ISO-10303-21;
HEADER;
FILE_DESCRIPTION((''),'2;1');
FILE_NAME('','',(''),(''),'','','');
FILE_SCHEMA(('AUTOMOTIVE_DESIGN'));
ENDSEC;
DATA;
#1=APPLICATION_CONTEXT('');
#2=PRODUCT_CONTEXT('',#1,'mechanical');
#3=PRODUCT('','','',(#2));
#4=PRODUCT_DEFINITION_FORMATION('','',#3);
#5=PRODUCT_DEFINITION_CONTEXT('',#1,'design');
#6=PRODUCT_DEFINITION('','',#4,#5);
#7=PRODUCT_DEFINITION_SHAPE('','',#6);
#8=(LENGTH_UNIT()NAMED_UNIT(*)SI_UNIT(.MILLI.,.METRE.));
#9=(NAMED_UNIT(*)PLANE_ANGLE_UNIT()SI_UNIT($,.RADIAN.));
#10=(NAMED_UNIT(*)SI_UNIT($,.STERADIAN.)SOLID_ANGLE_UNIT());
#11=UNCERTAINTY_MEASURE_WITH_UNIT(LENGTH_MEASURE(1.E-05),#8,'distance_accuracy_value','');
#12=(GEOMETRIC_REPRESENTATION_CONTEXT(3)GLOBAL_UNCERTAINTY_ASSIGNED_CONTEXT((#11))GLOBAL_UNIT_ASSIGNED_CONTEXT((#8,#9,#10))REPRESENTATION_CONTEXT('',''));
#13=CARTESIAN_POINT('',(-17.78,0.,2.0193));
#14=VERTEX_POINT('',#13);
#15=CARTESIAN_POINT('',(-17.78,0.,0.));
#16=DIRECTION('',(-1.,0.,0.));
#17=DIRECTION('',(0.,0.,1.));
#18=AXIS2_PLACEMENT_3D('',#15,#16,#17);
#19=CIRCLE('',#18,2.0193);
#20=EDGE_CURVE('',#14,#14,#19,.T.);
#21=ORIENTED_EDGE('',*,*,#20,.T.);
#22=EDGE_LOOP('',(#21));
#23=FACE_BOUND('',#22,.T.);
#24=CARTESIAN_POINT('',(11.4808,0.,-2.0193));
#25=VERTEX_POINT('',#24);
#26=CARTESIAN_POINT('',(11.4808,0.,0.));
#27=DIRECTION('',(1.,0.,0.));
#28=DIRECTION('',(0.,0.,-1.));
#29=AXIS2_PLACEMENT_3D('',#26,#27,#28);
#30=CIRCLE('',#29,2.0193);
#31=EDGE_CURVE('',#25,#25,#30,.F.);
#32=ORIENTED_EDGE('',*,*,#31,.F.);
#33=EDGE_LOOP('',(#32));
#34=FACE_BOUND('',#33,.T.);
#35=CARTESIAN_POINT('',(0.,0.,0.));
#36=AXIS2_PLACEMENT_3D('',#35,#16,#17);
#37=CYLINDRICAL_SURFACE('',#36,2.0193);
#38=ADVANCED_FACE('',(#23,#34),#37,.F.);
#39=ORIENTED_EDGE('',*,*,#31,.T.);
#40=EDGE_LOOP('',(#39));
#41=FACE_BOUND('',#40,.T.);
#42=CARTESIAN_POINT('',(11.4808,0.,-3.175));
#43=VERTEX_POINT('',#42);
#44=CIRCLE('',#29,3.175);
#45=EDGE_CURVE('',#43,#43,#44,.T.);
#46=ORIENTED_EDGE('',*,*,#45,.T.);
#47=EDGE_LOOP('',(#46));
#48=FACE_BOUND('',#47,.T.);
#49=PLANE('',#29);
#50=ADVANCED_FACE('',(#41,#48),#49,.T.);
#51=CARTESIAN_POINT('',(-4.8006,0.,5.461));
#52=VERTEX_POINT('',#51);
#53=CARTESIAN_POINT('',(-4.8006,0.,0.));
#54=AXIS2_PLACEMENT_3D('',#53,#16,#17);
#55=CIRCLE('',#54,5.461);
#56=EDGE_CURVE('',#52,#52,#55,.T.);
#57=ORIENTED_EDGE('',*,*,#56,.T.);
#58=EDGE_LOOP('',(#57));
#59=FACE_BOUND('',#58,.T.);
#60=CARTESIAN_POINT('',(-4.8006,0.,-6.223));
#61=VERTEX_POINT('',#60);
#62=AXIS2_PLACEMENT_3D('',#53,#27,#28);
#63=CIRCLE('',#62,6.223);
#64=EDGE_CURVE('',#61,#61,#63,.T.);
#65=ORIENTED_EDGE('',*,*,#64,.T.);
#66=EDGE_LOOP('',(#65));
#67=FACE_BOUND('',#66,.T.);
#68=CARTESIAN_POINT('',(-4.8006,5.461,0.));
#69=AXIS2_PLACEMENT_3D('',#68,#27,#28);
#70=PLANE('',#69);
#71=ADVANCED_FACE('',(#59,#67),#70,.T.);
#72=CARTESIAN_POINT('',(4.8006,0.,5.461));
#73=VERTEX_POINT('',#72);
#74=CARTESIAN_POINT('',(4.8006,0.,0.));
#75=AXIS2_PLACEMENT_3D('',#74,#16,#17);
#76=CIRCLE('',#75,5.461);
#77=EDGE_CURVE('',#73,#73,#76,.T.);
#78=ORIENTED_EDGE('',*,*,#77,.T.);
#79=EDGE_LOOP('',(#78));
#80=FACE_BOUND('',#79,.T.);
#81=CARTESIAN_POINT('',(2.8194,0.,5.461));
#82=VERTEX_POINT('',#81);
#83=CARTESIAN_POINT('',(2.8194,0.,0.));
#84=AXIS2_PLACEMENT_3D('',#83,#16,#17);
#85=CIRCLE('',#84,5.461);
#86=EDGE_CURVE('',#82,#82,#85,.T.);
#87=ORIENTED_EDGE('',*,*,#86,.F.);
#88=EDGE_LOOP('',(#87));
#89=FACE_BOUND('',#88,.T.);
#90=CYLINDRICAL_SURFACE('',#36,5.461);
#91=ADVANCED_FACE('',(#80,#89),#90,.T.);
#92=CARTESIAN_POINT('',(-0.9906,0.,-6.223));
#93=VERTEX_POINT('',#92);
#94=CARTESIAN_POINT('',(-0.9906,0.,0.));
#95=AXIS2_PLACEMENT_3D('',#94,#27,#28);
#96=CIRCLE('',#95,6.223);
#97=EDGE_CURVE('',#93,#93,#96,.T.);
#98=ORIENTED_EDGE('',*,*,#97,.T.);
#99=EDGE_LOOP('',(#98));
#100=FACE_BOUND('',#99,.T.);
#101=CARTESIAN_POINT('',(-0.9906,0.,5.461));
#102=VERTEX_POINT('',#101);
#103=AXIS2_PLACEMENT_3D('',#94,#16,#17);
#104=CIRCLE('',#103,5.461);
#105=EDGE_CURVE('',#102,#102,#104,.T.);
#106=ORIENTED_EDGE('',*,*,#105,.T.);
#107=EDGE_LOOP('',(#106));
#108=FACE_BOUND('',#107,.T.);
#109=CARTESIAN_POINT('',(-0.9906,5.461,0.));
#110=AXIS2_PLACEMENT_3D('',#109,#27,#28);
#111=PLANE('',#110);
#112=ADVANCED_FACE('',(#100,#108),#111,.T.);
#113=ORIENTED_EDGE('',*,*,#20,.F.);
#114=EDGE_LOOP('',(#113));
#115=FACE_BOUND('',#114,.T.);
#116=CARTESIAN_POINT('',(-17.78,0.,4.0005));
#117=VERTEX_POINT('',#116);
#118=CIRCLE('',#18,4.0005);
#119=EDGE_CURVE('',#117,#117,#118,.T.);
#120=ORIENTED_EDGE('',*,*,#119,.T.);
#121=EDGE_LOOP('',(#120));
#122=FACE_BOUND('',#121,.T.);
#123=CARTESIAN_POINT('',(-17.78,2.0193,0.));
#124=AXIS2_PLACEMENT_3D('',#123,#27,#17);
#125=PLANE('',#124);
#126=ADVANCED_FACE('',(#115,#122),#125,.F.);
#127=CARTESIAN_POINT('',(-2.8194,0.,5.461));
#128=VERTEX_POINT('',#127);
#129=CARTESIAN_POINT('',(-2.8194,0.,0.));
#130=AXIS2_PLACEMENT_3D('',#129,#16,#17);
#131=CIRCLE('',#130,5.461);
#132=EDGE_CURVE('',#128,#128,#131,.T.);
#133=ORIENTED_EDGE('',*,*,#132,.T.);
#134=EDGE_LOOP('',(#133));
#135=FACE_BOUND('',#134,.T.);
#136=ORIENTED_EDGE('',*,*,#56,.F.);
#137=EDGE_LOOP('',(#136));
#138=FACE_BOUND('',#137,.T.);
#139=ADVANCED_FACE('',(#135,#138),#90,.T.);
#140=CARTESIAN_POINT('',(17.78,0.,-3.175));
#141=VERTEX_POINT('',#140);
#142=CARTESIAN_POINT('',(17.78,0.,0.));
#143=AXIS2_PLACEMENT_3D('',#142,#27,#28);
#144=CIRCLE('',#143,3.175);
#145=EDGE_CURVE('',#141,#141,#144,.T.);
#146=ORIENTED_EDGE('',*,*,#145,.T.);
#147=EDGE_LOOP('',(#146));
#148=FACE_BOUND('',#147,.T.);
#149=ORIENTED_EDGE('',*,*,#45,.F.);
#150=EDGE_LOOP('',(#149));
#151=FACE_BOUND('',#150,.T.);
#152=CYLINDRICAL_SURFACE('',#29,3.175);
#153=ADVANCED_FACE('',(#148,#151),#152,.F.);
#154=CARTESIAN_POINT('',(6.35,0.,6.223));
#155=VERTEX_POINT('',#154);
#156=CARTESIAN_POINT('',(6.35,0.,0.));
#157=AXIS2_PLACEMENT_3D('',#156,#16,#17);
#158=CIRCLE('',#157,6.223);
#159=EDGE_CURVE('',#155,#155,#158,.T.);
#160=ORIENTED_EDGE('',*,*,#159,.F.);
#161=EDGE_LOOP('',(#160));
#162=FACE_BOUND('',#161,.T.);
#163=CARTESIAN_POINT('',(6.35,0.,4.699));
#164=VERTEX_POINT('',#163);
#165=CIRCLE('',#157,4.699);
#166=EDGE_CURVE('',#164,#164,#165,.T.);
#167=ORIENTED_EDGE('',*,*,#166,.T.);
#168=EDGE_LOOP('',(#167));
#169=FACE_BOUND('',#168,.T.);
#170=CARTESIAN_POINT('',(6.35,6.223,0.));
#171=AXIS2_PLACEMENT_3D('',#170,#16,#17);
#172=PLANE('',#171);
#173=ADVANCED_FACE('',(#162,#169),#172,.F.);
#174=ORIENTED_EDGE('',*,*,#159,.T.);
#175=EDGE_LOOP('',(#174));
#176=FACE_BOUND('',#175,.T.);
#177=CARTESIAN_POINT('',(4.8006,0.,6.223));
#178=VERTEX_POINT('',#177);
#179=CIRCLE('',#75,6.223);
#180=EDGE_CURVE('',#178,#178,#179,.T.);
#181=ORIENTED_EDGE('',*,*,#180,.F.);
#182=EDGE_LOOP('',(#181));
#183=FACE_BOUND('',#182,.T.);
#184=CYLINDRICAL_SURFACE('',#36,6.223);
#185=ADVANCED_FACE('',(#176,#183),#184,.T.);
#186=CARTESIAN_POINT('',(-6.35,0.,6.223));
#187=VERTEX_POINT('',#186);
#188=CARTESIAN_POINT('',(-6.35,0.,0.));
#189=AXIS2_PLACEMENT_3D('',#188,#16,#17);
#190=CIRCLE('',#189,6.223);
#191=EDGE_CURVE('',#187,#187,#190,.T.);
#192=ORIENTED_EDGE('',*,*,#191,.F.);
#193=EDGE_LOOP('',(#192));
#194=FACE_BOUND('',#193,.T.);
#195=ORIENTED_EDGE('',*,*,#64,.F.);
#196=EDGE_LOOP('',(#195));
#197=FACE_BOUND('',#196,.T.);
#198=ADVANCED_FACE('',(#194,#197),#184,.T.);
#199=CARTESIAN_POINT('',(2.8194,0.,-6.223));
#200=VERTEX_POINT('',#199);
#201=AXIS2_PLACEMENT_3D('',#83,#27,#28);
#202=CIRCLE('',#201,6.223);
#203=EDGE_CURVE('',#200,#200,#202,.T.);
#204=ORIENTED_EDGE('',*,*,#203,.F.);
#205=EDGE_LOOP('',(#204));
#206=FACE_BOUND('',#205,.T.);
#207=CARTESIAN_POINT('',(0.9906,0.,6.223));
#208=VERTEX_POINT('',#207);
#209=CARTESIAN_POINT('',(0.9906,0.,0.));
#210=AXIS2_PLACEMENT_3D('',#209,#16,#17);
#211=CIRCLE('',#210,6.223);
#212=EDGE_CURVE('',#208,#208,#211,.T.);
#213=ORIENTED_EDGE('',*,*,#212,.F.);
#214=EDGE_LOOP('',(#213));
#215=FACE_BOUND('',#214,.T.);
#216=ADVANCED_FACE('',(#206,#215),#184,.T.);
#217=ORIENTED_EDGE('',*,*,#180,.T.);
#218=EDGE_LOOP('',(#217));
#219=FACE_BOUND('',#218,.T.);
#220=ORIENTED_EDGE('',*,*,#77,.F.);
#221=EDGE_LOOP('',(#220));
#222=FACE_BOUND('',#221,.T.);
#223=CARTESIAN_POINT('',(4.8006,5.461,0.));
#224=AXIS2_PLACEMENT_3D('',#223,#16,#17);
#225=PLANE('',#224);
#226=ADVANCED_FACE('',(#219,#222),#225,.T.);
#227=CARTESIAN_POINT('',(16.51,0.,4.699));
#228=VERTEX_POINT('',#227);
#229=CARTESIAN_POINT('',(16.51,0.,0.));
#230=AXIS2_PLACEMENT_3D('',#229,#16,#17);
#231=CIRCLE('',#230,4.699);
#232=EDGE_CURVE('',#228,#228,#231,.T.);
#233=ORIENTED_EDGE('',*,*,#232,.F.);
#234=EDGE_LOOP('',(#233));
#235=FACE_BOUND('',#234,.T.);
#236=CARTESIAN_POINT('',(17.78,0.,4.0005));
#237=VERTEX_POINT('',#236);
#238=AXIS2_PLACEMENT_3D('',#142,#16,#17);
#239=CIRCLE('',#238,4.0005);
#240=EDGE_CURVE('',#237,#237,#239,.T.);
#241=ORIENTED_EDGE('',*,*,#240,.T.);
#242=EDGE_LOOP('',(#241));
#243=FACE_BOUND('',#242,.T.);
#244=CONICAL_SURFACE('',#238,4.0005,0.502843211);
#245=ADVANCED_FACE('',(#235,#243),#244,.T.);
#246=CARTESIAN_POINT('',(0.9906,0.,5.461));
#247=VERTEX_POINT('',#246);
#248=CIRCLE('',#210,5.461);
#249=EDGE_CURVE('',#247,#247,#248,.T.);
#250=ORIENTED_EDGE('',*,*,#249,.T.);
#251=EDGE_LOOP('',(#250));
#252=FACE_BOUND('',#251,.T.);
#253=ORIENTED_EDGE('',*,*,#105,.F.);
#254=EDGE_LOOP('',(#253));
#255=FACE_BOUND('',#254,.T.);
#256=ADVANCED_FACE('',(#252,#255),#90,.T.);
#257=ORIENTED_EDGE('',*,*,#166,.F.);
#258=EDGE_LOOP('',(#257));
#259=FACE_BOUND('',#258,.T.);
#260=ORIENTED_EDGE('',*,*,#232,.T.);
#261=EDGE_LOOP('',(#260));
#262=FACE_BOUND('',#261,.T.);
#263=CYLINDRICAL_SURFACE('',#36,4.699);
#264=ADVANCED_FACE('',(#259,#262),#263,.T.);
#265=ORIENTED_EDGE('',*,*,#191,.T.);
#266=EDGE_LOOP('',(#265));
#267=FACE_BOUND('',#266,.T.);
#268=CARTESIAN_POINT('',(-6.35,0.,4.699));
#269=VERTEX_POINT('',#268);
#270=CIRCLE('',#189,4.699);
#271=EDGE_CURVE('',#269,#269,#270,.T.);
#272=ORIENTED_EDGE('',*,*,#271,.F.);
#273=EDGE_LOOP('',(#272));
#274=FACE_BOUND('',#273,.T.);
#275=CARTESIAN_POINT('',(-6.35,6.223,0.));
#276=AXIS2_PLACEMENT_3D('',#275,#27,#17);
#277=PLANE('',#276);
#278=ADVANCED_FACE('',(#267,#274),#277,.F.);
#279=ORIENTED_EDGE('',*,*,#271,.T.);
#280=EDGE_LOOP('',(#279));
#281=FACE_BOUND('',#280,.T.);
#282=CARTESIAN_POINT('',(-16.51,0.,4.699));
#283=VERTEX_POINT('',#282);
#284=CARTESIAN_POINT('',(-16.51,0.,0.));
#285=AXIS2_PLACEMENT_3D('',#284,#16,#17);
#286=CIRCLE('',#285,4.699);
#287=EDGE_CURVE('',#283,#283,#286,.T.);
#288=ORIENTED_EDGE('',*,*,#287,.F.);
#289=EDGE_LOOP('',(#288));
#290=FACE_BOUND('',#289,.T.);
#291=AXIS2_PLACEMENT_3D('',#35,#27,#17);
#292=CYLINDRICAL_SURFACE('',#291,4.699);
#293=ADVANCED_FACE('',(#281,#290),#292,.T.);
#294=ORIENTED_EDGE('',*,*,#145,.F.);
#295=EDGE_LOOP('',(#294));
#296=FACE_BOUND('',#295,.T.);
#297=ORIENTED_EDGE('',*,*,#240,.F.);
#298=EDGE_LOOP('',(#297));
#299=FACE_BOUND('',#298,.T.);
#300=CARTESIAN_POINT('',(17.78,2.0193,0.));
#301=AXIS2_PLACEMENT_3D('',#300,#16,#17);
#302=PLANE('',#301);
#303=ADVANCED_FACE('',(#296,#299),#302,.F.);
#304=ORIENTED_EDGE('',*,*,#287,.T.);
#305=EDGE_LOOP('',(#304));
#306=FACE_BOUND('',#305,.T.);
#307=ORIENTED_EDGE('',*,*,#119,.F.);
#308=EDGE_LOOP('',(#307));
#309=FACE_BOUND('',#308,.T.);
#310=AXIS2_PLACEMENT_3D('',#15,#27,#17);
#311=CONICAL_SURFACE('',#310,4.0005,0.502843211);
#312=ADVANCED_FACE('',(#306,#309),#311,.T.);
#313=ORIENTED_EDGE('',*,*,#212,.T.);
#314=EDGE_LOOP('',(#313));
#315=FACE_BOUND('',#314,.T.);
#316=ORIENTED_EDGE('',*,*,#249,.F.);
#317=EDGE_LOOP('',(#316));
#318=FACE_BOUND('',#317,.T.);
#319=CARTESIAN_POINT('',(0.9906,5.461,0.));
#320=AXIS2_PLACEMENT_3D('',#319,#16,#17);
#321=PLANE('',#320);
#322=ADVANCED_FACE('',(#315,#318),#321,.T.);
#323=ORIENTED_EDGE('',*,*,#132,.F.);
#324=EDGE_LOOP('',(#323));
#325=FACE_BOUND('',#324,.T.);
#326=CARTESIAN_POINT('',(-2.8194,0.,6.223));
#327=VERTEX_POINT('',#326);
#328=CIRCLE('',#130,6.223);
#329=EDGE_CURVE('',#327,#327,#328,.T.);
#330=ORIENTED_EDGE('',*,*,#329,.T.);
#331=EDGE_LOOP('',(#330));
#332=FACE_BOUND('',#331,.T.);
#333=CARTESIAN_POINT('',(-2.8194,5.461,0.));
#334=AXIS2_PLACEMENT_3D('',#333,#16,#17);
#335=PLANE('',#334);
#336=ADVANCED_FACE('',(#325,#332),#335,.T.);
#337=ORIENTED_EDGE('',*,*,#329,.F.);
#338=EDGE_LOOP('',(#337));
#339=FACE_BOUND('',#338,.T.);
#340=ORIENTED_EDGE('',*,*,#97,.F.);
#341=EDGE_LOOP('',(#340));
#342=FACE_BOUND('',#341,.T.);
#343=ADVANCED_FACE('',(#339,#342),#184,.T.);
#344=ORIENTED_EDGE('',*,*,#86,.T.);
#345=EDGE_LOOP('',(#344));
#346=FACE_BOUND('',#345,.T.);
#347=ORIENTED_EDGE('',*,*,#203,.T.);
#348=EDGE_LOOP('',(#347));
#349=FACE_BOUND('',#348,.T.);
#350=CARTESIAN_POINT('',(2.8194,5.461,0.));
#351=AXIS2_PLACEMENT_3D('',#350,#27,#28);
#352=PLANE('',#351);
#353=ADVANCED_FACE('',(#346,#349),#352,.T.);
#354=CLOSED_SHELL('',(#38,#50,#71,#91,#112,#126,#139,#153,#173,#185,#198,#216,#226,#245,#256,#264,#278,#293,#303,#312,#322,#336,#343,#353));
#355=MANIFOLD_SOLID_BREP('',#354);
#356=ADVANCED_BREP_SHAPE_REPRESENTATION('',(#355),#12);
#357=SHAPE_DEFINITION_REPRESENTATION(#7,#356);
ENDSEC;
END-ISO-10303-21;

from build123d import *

# Parameters (mm, degrees)
SKETCH2_W          = 1.9812
SKETCH2_H          = 1.524
SKETCH3_R          = 3.175
CUT_EXTRUDE1_DEPTH = 6.2992


with BuildPart() as part:
    # Sketch1 → Revolve1 (revolve)
    with BuildSketch(Plane.XY):
        Polygon((0, 2.0193), (17.78, 2.0193), (17.78, 4.0005), (16.51, 4.699), (6.35, 4.699), (6.35, 6.223), (0, 6.223), align=None)
    revolve1 = revolve(axis=Axis((0, 0, 0), (1, 0, 0)))

    # Mirror1: Revolve1 across plane
    add(revolve1.mirror(Plane(origin=(0, 6.223, 0), x_dir=(0, 0, 1), z_dir=(1, 0, 0))))

    # Sketch2 → Cut-Revolve1 (revolve, cut)
    with BuildSketch(Plane.XY):
        with Locations((0, 6.223)):
            Rectangle(SKETCH2_W, SKETCH2_H)
        with Locations((-3.81, 6.223)):
            Rectangle(SKETCH2_W, SKETCH2_H)
        with Locations((3.81, 6.223)):
            Rectangle(SKETCH2_W, SKETCH2_H)
    revolve(axis=Axis((0, 0, 0), (1, 0, 0)), mode=Mode.SUBTRACT)

    # Sketch3 → Cut-Extrude1 (cut)
    with BuildSketch(Plane(origin=(17.78, 0, 0), x_dir=(0, 0, -1), z_dir=(1, 0, 0))):
        Circle(SKETCH3_R)
    extrude(amount=-CUT_EXTRUDE1_DEPTH, mode=Mode.SUBTRACT)


solid = part.part
